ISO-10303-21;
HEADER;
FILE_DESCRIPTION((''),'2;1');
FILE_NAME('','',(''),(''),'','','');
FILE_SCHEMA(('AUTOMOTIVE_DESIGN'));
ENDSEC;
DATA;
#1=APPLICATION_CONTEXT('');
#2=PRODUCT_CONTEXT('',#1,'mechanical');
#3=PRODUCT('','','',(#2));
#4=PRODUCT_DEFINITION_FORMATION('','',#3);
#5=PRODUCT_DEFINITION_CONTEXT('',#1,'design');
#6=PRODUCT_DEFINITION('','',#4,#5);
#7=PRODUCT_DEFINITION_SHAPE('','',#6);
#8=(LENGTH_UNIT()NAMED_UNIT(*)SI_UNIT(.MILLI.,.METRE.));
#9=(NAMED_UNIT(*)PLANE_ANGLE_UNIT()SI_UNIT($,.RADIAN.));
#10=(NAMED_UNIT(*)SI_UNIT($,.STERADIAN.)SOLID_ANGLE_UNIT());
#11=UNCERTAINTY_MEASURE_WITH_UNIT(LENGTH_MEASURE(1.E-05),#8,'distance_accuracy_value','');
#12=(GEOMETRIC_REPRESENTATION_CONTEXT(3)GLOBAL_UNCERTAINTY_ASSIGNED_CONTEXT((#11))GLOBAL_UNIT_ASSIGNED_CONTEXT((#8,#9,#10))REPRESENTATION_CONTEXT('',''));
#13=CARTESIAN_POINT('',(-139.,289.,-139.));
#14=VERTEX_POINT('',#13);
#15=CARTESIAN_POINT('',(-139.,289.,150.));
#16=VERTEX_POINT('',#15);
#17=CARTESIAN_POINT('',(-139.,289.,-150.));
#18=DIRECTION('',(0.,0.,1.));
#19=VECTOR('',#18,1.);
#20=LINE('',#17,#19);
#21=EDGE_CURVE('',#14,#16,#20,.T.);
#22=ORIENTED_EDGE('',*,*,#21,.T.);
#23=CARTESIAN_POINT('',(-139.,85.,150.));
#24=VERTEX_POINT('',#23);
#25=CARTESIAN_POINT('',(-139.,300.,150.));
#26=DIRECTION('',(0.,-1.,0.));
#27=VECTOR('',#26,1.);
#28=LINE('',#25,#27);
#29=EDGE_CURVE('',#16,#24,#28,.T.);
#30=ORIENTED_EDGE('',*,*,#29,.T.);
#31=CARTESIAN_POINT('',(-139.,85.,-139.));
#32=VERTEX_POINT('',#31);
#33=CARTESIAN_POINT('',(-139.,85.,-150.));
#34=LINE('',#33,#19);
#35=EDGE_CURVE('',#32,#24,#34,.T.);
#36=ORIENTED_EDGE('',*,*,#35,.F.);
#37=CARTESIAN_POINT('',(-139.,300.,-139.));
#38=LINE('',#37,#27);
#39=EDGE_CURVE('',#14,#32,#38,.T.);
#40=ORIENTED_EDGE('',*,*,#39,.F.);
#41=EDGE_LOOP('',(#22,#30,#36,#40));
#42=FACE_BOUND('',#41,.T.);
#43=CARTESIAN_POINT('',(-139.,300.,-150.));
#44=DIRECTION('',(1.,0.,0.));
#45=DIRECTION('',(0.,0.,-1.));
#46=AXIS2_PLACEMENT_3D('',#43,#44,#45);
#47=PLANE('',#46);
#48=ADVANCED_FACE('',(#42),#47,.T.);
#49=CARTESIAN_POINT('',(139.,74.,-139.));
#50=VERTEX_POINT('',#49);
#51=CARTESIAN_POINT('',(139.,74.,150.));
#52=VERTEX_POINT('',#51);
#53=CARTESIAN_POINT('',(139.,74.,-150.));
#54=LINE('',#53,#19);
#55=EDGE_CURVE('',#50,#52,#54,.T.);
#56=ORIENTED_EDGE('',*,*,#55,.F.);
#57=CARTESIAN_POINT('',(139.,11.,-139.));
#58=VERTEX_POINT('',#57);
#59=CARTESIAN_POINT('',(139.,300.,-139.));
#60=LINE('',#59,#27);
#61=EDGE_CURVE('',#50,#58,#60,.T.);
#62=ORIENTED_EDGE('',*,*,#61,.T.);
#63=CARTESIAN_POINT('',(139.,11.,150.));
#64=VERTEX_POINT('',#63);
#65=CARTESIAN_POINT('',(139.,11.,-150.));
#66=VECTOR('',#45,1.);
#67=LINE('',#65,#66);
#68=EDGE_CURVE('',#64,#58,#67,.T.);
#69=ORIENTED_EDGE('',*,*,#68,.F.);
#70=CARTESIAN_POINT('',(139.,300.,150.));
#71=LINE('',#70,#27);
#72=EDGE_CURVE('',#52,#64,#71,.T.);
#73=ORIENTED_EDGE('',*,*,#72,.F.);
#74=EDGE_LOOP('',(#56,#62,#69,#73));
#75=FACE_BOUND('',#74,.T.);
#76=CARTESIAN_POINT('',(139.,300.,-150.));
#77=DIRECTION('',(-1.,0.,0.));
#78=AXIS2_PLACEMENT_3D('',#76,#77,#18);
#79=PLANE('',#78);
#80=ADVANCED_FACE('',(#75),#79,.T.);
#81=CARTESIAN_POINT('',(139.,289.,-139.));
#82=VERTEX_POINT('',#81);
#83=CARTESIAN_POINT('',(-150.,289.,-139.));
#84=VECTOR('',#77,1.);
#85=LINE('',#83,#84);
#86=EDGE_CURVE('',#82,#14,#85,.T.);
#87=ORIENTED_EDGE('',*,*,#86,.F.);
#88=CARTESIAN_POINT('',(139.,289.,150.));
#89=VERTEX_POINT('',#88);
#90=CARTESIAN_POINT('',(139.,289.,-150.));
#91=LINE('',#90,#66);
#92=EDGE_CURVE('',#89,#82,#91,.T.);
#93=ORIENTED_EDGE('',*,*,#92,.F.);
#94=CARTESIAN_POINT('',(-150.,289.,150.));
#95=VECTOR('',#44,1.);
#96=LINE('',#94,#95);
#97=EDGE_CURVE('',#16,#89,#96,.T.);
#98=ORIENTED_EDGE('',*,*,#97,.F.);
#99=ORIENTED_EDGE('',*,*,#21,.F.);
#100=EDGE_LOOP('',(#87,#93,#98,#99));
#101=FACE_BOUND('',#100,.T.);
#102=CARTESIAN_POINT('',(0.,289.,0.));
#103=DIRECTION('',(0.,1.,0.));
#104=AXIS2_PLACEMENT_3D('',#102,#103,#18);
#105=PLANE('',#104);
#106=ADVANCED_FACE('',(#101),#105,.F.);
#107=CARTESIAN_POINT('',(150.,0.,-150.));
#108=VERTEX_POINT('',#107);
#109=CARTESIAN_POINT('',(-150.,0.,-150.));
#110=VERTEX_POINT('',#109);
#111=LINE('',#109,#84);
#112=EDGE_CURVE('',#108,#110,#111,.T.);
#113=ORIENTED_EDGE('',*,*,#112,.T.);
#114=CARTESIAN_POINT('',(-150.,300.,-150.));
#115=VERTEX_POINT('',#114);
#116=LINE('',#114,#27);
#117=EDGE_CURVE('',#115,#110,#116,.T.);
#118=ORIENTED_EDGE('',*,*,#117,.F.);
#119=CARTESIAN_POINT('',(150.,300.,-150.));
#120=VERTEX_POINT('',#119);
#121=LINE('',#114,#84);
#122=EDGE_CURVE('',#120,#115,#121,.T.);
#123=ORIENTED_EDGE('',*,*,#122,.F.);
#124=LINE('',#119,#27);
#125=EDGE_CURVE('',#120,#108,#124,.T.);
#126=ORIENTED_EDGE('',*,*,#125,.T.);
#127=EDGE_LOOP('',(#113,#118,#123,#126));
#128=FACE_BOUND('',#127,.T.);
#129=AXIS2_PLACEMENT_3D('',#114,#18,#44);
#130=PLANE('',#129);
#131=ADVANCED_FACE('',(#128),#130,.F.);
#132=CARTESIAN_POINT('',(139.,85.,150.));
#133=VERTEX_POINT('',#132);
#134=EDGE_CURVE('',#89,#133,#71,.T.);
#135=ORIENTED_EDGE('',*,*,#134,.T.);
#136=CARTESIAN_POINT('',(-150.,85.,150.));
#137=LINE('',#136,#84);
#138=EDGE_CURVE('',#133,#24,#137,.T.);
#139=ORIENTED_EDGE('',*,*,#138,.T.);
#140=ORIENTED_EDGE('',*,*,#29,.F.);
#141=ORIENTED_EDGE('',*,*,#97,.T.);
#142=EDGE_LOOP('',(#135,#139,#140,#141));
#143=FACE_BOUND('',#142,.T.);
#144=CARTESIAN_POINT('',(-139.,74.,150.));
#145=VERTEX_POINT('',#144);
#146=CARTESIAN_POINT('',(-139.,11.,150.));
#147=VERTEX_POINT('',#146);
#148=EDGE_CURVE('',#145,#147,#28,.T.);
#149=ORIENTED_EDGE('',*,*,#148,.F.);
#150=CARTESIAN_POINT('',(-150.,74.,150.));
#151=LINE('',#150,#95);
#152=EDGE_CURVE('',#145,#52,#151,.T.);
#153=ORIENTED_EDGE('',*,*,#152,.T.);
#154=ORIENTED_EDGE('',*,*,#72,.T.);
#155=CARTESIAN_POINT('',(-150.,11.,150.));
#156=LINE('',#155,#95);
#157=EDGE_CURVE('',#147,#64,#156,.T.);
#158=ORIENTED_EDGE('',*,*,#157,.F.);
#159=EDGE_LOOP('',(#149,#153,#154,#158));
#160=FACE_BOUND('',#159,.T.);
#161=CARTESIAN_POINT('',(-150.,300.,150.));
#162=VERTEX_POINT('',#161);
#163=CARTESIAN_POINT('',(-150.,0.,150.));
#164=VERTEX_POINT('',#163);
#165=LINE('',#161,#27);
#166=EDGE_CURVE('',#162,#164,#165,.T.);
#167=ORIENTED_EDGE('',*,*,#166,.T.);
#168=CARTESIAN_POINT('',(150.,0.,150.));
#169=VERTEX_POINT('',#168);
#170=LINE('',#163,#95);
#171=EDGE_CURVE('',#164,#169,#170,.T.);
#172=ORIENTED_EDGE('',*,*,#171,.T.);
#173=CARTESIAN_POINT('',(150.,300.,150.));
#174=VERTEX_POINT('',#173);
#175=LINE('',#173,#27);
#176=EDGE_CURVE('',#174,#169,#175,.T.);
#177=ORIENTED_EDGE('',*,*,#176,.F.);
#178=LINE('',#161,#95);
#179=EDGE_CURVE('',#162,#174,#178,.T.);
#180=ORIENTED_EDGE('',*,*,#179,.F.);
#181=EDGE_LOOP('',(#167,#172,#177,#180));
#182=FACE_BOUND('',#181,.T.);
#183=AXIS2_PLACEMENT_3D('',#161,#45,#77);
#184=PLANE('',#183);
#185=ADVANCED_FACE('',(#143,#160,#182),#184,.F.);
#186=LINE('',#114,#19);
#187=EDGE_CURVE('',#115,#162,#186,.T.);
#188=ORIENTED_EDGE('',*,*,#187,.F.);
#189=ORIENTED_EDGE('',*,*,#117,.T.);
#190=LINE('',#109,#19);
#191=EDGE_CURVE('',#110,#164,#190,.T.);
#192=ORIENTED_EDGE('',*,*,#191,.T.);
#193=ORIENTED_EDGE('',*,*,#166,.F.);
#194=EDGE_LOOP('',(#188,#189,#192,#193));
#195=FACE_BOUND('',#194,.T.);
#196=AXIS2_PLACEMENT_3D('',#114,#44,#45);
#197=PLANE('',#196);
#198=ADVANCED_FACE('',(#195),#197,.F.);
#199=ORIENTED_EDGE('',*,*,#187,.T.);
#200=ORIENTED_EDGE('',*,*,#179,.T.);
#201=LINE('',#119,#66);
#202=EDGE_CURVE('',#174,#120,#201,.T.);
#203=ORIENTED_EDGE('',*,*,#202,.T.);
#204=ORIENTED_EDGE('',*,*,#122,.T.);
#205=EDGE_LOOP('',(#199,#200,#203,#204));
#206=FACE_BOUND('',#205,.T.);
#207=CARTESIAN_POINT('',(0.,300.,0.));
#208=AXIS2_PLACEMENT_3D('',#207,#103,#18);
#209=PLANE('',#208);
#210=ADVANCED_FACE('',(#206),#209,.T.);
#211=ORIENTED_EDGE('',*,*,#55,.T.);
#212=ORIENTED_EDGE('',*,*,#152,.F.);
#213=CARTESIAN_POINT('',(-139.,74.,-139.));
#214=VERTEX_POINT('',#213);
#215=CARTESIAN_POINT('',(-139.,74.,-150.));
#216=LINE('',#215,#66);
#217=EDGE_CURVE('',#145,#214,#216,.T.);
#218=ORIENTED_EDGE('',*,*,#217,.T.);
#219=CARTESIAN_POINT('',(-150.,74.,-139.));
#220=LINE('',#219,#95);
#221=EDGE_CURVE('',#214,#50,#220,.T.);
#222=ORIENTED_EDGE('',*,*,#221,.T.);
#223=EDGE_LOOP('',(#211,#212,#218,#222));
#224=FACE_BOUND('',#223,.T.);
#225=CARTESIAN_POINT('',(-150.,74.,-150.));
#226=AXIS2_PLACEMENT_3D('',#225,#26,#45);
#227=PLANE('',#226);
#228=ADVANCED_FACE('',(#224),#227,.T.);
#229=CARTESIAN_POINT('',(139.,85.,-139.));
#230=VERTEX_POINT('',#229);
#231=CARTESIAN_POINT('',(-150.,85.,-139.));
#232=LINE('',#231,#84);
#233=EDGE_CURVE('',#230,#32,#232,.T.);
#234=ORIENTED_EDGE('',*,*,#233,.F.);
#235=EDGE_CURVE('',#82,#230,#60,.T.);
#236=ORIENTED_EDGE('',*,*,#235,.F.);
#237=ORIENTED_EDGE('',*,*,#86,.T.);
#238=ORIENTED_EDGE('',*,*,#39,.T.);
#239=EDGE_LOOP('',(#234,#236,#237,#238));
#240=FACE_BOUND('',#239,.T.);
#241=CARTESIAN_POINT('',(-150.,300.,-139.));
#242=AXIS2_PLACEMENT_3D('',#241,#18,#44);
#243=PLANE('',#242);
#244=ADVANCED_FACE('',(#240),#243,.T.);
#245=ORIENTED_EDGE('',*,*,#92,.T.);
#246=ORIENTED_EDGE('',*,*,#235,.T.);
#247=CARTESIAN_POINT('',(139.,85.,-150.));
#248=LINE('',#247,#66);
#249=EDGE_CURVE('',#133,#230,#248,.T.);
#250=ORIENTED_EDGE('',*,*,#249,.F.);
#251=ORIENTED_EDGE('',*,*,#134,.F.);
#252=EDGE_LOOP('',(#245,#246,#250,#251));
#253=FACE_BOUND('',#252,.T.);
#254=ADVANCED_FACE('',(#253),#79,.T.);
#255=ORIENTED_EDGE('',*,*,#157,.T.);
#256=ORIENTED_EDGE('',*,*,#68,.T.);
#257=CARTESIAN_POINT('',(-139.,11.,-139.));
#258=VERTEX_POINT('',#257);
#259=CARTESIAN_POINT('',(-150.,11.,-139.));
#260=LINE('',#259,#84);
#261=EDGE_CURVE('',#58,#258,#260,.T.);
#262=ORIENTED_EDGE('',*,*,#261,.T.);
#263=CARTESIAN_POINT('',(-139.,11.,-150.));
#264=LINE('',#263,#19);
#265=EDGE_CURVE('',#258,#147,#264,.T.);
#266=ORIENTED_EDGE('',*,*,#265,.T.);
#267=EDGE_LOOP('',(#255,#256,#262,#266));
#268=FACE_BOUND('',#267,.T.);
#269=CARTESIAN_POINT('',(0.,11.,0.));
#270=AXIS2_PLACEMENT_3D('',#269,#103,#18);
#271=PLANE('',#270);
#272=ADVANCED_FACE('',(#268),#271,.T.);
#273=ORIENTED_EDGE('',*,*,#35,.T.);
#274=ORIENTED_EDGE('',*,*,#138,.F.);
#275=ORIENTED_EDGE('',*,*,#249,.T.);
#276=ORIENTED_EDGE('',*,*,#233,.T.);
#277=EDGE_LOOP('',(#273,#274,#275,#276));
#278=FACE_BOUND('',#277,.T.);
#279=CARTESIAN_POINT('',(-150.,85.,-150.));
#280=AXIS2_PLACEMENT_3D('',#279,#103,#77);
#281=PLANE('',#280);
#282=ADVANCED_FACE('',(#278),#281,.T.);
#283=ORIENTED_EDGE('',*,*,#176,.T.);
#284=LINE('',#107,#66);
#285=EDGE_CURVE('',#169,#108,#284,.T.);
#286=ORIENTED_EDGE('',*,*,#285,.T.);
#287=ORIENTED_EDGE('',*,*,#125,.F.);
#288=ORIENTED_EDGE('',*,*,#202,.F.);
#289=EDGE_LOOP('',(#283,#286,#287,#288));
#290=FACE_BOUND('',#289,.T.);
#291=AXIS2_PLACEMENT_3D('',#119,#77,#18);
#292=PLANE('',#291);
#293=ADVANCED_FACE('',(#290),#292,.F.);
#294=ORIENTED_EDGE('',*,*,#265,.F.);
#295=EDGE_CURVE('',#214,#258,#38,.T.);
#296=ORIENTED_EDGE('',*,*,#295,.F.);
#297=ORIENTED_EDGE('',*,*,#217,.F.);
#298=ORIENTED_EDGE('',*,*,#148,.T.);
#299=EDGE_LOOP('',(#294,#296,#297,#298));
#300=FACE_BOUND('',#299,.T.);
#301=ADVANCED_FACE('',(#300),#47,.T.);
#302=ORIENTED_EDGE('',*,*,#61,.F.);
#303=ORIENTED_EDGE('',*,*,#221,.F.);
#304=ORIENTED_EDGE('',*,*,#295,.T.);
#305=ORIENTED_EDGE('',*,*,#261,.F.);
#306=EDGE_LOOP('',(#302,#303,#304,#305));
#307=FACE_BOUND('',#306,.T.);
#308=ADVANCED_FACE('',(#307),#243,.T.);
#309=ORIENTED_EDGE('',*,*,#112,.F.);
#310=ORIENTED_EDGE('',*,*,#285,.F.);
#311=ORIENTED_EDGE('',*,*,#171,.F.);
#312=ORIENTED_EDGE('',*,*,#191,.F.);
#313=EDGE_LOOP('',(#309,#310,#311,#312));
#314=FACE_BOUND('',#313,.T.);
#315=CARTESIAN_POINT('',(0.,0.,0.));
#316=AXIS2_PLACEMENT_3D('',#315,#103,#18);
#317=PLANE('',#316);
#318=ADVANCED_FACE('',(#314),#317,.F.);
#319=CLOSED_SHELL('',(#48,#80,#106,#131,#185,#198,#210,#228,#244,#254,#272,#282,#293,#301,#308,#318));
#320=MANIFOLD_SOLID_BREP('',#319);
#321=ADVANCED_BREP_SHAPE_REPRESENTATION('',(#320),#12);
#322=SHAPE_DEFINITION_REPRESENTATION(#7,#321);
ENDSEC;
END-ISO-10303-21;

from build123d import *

# Parameters (mm, degrees)
SKETCH_1_W      = 300
SKETCH_1_H      = 300
EXTRUDE_1_DEPTH = 300
SHELL_1_T       = -11
SKETCH_3_W      = 300
SKETCH_3_H      = 11
EXTRUDE_2_DEPTH = 300


with BuildPart() as part:
    # 草图1 → 凸台-拉伸1 (new body)
    with BuildSketch(Plane(origin=(0, 0, 0), x_dir=(1, 0, 0), z_dir=(0, 1, 0))):
        Rectangle(SKETCH_1_W, SKETCH_1_H)
    extrude(amount=EXTRUDE_1_DEPTH)

    # 抽壳1
    shell_1_openings = [part.faces().sort_by_distance(p)[0] for p in [
        (0, 150, 150),
    ]]
    offset(amount=SHELL_1_T, openings=shell_1_openings, kind=Kind.INTERSECTION)

    # 草图3 → 凸台-拉伸2 (add)
    with BuildSketch(Plane.XY.offset(150)):
        with Locations((0, 79.5)):
            Rectangle(SKETCH_3_W, SKETCH_3_H)
    extrude(amount=-EXTRUDE_2_DEPTH)


solid = part.part
